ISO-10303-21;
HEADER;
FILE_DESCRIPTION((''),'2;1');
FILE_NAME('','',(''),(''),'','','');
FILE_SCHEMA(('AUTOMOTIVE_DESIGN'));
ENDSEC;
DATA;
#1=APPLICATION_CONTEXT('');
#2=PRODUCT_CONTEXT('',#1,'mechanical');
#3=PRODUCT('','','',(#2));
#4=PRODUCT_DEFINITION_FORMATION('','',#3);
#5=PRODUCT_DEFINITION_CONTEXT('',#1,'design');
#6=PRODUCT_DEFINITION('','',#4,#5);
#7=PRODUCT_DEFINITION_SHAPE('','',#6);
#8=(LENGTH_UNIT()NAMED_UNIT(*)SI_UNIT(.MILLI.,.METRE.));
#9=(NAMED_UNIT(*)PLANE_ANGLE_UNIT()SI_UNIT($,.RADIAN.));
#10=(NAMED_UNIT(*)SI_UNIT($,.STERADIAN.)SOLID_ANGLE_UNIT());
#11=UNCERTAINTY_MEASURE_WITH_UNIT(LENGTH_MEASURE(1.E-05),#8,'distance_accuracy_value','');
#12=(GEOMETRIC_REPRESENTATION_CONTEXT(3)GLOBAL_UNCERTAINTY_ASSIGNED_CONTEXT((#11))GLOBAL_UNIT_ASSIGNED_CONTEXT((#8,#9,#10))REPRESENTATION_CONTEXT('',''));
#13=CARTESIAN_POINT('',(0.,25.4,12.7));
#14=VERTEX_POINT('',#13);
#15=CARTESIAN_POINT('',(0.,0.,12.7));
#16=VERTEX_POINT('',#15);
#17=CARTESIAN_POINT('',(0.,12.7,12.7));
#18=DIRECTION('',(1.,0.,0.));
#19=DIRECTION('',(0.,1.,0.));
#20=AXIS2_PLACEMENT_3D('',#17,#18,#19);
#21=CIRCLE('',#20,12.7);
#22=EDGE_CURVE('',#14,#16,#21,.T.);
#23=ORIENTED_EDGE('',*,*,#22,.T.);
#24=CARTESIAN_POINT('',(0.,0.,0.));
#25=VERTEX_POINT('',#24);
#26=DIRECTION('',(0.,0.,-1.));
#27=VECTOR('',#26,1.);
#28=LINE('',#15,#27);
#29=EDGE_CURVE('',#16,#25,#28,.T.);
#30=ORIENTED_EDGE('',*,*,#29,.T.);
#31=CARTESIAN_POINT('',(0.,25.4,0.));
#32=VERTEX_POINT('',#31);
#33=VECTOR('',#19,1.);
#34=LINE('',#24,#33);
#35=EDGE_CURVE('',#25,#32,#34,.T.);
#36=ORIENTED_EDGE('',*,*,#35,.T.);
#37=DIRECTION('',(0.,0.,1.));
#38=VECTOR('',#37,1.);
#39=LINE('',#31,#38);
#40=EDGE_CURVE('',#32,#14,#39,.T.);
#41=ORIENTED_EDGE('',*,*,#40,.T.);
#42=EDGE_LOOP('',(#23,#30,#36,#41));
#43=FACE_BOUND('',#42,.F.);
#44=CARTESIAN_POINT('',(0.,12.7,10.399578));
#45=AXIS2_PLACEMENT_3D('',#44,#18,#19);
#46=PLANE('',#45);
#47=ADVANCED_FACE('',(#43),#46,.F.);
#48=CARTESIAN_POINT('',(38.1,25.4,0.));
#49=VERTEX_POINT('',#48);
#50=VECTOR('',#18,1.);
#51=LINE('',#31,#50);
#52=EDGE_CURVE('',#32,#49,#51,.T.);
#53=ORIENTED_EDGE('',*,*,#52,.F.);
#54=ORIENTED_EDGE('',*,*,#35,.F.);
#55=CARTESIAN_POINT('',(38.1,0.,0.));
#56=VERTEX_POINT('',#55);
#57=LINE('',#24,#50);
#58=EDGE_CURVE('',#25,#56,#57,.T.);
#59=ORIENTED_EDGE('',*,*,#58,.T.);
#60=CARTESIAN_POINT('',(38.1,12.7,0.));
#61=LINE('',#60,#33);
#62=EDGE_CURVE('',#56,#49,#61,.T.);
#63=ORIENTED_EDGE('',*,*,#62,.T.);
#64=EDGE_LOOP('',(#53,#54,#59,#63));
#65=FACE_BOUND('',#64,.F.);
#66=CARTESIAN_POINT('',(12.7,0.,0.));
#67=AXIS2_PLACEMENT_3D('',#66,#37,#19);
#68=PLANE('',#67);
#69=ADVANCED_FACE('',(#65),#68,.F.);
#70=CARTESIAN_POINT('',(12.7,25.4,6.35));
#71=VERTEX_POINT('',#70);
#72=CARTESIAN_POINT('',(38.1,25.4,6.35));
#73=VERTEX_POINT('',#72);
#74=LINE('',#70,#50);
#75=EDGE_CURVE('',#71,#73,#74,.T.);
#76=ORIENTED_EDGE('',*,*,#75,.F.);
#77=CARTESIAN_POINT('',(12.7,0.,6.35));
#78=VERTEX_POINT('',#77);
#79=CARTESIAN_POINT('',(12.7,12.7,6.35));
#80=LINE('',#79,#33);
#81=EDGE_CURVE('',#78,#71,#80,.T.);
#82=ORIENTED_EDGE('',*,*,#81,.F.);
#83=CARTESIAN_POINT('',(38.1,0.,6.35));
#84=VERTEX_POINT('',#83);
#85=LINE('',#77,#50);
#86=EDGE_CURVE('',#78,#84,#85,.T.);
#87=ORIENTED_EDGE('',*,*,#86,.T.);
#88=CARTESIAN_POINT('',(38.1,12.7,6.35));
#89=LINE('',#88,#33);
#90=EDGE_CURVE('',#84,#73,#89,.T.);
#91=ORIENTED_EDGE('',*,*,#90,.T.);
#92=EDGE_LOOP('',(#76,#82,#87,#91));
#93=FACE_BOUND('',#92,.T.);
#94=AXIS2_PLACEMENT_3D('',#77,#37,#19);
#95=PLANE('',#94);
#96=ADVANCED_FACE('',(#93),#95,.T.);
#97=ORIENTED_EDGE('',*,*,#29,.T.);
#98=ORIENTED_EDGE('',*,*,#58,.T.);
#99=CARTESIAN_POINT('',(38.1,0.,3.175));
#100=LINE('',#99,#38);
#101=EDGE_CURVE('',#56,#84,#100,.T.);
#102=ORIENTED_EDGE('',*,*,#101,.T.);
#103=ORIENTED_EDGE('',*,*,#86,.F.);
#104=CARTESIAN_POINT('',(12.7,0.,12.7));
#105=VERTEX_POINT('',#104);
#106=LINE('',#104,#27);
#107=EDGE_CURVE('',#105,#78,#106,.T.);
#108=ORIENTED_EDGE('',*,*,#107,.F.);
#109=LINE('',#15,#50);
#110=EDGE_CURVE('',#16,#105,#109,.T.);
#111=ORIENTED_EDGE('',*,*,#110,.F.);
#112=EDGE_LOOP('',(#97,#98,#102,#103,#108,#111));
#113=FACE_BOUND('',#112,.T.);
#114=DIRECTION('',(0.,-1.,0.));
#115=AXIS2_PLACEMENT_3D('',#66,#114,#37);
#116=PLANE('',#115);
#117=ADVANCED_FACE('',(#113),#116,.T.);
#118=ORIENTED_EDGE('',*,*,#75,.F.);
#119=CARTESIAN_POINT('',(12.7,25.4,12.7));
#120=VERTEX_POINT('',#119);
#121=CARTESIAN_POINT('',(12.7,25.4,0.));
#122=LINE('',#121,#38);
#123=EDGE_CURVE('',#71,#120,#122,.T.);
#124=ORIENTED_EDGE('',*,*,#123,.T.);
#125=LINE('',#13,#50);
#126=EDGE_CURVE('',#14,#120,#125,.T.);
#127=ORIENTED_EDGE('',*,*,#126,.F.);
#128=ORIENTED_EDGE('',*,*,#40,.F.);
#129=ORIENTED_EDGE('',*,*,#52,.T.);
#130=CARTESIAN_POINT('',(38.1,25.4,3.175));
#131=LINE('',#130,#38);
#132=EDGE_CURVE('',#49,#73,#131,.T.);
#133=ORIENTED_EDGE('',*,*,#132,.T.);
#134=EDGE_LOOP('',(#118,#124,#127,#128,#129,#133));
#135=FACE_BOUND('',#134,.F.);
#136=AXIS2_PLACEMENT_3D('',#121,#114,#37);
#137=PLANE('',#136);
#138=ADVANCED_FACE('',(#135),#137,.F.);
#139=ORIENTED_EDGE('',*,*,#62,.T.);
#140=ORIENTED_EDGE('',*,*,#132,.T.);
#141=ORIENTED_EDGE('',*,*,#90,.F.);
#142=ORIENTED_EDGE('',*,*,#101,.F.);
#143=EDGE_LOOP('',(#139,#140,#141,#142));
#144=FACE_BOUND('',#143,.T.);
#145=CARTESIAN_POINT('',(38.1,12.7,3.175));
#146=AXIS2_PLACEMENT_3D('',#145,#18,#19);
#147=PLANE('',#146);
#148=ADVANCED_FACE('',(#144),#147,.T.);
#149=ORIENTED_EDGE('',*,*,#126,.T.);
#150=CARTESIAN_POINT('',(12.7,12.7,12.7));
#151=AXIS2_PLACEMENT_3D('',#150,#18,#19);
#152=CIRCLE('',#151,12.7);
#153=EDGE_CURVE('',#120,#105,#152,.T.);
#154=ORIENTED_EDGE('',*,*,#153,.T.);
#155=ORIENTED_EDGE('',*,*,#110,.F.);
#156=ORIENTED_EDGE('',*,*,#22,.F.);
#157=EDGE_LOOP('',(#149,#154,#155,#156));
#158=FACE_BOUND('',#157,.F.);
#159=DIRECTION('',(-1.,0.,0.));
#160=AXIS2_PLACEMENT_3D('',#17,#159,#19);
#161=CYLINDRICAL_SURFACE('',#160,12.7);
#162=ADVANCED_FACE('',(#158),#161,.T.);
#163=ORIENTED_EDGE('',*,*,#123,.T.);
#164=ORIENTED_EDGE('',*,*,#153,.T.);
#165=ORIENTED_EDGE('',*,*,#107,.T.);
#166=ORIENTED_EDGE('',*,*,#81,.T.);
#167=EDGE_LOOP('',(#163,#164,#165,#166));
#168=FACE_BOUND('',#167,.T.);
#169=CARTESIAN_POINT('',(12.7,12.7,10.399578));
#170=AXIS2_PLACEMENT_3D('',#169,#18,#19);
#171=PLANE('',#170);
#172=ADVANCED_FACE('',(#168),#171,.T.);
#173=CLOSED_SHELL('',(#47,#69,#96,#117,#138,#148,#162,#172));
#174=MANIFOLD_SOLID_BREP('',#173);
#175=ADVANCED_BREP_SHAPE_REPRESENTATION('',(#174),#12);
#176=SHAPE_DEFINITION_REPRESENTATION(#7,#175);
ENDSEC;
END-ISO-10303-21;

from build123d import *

# Parameters (mm, degrees)
F1_DEPTH = 12.7
F2_W     = 25.4
F2_H     = 6.35
F3_DEPTH = 25.4


with BuildPart() as f1:
    # F0 (on Right) → F1 (new body)
    with BuildSketch(Plane.YZ):
        with BuildLine():
            Line((0, 12.7), (0, 0))
            Line((0, 0), (25.4, 0))
            Line((25.4, 0), (25.4, 12.7))
            ThreePointArc((25.4, 12.7), (12.7, 25.4), (0, 12.7))
        make_face()
    extrude(amount=F1_DEPTH)

    # F2 (on face) → F3 (join)
    with BuildSketch(Plane.YZ.offset(12.7)):
        with Locations((12.7, 3.175)):
            Rectangle(F2_W, F2_H)
    extrude(amount=F3_DEPTH)


solid = f1.part
